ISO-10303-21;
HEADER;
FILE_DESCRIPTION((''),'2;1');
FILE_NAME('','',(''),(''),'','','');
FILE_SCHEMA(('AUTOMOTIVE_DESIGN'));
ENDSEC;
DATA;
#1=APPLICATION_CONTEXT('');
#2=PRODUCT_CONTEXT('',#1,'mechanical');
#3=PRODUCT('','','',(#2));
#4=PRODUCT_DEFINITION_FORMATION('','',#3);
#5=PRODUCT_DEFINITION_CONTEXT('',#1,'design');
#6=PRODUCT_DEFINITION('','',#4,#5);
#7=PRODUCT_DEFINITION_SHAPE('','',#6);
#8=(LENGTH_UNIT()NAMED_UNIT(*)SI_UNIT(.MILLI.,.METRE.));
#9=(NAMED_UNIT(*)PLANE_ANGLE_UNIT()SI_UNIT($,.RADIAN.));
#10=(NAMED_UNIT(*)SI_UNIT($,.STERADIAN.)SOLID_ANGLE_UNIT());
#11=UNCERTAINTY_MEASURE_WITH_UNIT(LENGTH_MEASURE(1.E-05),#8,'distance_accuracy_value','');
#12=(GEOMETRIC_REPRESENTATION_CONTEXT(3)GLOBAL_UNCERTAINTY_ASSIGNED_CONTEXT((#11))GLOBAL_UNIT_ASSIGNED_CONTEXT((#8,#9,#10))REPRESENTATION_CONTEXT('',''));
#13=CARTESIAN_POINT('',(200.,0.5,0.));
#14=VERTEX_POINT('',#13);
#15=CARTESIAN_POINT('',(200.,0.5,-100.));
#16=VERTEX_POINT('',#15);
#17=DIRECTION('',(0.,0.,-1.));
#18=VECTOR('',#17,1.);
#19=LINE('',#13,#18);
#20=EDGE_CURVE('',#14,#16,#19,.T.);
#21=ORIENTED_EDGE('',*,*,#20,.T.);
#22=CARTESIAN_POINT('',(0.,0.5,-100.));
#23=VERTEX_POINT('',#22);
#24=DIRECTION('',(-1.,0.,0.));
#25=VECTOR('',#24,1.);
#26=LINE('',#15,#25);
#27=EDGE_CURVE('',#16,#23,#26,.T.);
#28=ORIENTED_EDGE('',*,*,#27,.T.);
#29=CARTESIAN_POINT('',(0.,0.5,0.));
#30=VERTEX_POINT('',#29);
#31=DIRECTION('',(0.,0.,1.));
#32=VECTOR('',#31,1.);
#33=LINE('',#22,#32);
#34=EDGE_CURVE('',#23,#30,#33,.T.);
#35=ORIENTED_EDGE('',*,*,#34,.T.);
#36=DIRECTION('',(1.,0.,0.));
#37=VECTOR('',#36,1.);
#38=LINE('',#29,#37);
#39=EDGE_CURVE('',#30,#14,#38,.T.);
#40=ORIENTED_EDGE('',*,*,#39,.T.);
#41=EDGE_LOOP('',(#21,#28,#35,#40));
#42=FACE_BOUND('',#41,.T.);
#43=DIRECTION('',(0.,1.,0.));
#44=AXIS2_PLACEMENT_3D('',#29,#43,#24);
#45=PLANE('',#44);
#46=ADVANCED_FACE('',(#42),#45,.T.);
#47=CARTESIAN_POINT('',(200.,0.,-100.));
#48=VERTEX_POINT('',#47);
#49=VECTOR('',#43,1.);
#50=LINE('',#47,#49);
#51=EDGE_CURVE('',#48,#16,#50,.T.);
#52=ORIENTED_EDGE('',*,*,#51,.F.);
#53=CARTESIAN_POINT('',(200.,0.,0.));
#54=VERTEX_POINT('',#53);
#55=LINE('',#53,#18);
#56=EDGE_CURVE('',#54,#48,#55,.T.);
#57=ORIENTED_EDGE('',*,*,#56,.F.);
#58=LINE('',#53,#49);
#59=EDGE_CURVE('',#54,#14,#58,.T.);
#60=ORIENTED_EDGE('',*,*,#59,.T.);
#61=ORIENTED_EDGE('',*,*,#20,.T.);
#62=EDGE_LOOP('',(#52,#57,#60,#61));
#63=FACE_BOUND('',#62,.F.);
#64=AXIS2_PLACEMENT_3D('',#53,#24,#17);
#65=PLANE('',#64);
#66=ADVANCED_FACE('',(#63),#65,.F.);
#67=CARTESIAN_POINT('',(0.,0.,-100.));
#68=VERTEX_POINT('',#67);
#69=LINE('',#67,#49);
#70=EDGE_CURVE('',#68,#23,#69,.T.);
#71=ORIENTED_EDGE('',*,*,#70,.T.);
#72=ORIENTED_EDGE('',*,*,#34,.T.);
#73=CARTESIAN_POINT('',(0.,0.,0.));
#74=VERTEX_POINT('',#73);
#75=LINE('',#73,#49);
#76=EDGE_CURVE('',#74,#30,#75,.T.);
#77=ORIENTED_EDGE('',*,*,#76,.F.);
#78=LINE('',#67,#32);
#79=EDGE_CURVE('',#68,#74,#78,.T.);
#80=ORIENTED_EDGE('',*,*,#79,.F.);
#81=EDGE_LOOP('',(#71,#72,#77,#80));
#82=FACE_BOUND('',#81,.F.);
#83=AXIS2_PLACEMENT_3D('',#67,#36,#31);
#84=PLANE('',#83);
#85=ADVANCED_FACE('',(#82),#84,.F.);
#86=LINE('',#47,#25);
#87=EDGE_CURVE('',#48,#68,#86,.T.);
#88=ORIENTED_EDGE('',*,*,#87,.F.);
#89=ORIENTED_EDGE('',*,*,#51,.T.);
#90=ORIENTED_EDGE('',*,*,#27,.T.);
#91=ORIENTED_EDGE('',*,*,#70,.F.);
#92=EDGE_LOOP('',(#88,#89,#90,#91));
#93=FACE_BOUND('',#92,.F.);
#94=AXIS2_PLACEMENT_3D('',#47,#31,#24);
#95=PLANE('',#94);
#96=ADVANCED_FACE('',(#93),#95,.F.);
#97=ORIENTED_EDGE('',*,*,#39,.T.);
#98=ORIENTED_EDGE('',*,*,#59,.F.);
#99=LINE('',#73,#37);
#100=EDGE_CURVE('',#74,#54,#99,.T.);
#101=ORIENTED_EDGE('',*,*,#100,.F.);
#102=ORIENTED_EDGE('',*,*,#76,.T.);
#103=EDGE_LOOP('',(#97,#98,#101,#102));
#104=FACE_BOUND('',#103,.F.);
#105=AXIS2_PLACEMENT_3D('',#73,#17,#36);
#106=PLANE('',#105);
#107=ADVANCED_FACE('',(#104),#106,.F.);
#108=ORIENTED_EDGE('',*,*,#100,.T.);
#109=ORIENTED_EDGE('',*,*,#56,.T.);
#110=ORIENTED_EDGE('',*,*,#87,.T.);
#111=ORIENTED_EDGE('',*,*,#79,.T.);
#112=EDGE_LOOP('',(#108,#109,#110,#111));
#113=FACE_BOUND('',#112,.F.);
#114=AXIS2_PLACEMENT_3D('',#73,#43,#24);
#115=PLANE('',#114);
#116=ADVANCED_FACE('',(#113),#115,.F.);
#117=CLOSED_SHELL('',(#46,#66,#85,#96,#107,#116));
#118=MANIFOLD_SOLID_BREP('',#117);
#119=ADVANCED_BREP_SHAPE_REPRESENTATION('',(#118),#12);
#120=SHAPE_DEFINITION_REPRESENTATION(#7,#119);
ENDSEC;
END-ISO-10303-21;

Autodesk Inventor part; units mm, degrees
ref_plane "YZ Plane" through (0, 0, 0) normal (1, 0, 0) x (0, 1, 0)
ref_plane "XZ Plane" through (0, 0, 0) normal (0, 1, 0) x (-1, 0, 0)
ref_plane "XY Plane" through (0, 0, 0) normal (0, 0, 1) x (1, 0, 0)
sketch "Sketch1" plane through (0, 0, 0) normal (0, 1, 0) x (-1, 0, 0)
  line L0 (0, 0) -> (-200, 0)
  line L1 (-200, 0) -> (-200, -100)
  line L2 (-200, -100) -> (0, -100)
  line L3 (0, -100) -> (0, 0)
  dimension "d0" = 200
  dimension "d1" = 100
extrude "Plate1" add sketch "Sketch1" along normal blind 0.5
equation "\"d2\" = Thickness"
equation "\"BendRadius\" = Thickness"
equation "\"BendReliefWidth\" = Thickness"
equation "\"BendReliefDepth\" = 0.5 * Thickness"
equation "\"CornerReliefSize\" = 4 * Thickness"
equation "\"MinimumRemnant\" = 2 * Thickness"
equation "\"TransitionRadius\" = BendRadius"
equation "\"JacobiRadiusSize\" = BendRadius"
equation "\"GapSize\" = Thickness"
equation "\"Thickness\" = 0.5"
properties part number "test" material "Steel, Mild"
